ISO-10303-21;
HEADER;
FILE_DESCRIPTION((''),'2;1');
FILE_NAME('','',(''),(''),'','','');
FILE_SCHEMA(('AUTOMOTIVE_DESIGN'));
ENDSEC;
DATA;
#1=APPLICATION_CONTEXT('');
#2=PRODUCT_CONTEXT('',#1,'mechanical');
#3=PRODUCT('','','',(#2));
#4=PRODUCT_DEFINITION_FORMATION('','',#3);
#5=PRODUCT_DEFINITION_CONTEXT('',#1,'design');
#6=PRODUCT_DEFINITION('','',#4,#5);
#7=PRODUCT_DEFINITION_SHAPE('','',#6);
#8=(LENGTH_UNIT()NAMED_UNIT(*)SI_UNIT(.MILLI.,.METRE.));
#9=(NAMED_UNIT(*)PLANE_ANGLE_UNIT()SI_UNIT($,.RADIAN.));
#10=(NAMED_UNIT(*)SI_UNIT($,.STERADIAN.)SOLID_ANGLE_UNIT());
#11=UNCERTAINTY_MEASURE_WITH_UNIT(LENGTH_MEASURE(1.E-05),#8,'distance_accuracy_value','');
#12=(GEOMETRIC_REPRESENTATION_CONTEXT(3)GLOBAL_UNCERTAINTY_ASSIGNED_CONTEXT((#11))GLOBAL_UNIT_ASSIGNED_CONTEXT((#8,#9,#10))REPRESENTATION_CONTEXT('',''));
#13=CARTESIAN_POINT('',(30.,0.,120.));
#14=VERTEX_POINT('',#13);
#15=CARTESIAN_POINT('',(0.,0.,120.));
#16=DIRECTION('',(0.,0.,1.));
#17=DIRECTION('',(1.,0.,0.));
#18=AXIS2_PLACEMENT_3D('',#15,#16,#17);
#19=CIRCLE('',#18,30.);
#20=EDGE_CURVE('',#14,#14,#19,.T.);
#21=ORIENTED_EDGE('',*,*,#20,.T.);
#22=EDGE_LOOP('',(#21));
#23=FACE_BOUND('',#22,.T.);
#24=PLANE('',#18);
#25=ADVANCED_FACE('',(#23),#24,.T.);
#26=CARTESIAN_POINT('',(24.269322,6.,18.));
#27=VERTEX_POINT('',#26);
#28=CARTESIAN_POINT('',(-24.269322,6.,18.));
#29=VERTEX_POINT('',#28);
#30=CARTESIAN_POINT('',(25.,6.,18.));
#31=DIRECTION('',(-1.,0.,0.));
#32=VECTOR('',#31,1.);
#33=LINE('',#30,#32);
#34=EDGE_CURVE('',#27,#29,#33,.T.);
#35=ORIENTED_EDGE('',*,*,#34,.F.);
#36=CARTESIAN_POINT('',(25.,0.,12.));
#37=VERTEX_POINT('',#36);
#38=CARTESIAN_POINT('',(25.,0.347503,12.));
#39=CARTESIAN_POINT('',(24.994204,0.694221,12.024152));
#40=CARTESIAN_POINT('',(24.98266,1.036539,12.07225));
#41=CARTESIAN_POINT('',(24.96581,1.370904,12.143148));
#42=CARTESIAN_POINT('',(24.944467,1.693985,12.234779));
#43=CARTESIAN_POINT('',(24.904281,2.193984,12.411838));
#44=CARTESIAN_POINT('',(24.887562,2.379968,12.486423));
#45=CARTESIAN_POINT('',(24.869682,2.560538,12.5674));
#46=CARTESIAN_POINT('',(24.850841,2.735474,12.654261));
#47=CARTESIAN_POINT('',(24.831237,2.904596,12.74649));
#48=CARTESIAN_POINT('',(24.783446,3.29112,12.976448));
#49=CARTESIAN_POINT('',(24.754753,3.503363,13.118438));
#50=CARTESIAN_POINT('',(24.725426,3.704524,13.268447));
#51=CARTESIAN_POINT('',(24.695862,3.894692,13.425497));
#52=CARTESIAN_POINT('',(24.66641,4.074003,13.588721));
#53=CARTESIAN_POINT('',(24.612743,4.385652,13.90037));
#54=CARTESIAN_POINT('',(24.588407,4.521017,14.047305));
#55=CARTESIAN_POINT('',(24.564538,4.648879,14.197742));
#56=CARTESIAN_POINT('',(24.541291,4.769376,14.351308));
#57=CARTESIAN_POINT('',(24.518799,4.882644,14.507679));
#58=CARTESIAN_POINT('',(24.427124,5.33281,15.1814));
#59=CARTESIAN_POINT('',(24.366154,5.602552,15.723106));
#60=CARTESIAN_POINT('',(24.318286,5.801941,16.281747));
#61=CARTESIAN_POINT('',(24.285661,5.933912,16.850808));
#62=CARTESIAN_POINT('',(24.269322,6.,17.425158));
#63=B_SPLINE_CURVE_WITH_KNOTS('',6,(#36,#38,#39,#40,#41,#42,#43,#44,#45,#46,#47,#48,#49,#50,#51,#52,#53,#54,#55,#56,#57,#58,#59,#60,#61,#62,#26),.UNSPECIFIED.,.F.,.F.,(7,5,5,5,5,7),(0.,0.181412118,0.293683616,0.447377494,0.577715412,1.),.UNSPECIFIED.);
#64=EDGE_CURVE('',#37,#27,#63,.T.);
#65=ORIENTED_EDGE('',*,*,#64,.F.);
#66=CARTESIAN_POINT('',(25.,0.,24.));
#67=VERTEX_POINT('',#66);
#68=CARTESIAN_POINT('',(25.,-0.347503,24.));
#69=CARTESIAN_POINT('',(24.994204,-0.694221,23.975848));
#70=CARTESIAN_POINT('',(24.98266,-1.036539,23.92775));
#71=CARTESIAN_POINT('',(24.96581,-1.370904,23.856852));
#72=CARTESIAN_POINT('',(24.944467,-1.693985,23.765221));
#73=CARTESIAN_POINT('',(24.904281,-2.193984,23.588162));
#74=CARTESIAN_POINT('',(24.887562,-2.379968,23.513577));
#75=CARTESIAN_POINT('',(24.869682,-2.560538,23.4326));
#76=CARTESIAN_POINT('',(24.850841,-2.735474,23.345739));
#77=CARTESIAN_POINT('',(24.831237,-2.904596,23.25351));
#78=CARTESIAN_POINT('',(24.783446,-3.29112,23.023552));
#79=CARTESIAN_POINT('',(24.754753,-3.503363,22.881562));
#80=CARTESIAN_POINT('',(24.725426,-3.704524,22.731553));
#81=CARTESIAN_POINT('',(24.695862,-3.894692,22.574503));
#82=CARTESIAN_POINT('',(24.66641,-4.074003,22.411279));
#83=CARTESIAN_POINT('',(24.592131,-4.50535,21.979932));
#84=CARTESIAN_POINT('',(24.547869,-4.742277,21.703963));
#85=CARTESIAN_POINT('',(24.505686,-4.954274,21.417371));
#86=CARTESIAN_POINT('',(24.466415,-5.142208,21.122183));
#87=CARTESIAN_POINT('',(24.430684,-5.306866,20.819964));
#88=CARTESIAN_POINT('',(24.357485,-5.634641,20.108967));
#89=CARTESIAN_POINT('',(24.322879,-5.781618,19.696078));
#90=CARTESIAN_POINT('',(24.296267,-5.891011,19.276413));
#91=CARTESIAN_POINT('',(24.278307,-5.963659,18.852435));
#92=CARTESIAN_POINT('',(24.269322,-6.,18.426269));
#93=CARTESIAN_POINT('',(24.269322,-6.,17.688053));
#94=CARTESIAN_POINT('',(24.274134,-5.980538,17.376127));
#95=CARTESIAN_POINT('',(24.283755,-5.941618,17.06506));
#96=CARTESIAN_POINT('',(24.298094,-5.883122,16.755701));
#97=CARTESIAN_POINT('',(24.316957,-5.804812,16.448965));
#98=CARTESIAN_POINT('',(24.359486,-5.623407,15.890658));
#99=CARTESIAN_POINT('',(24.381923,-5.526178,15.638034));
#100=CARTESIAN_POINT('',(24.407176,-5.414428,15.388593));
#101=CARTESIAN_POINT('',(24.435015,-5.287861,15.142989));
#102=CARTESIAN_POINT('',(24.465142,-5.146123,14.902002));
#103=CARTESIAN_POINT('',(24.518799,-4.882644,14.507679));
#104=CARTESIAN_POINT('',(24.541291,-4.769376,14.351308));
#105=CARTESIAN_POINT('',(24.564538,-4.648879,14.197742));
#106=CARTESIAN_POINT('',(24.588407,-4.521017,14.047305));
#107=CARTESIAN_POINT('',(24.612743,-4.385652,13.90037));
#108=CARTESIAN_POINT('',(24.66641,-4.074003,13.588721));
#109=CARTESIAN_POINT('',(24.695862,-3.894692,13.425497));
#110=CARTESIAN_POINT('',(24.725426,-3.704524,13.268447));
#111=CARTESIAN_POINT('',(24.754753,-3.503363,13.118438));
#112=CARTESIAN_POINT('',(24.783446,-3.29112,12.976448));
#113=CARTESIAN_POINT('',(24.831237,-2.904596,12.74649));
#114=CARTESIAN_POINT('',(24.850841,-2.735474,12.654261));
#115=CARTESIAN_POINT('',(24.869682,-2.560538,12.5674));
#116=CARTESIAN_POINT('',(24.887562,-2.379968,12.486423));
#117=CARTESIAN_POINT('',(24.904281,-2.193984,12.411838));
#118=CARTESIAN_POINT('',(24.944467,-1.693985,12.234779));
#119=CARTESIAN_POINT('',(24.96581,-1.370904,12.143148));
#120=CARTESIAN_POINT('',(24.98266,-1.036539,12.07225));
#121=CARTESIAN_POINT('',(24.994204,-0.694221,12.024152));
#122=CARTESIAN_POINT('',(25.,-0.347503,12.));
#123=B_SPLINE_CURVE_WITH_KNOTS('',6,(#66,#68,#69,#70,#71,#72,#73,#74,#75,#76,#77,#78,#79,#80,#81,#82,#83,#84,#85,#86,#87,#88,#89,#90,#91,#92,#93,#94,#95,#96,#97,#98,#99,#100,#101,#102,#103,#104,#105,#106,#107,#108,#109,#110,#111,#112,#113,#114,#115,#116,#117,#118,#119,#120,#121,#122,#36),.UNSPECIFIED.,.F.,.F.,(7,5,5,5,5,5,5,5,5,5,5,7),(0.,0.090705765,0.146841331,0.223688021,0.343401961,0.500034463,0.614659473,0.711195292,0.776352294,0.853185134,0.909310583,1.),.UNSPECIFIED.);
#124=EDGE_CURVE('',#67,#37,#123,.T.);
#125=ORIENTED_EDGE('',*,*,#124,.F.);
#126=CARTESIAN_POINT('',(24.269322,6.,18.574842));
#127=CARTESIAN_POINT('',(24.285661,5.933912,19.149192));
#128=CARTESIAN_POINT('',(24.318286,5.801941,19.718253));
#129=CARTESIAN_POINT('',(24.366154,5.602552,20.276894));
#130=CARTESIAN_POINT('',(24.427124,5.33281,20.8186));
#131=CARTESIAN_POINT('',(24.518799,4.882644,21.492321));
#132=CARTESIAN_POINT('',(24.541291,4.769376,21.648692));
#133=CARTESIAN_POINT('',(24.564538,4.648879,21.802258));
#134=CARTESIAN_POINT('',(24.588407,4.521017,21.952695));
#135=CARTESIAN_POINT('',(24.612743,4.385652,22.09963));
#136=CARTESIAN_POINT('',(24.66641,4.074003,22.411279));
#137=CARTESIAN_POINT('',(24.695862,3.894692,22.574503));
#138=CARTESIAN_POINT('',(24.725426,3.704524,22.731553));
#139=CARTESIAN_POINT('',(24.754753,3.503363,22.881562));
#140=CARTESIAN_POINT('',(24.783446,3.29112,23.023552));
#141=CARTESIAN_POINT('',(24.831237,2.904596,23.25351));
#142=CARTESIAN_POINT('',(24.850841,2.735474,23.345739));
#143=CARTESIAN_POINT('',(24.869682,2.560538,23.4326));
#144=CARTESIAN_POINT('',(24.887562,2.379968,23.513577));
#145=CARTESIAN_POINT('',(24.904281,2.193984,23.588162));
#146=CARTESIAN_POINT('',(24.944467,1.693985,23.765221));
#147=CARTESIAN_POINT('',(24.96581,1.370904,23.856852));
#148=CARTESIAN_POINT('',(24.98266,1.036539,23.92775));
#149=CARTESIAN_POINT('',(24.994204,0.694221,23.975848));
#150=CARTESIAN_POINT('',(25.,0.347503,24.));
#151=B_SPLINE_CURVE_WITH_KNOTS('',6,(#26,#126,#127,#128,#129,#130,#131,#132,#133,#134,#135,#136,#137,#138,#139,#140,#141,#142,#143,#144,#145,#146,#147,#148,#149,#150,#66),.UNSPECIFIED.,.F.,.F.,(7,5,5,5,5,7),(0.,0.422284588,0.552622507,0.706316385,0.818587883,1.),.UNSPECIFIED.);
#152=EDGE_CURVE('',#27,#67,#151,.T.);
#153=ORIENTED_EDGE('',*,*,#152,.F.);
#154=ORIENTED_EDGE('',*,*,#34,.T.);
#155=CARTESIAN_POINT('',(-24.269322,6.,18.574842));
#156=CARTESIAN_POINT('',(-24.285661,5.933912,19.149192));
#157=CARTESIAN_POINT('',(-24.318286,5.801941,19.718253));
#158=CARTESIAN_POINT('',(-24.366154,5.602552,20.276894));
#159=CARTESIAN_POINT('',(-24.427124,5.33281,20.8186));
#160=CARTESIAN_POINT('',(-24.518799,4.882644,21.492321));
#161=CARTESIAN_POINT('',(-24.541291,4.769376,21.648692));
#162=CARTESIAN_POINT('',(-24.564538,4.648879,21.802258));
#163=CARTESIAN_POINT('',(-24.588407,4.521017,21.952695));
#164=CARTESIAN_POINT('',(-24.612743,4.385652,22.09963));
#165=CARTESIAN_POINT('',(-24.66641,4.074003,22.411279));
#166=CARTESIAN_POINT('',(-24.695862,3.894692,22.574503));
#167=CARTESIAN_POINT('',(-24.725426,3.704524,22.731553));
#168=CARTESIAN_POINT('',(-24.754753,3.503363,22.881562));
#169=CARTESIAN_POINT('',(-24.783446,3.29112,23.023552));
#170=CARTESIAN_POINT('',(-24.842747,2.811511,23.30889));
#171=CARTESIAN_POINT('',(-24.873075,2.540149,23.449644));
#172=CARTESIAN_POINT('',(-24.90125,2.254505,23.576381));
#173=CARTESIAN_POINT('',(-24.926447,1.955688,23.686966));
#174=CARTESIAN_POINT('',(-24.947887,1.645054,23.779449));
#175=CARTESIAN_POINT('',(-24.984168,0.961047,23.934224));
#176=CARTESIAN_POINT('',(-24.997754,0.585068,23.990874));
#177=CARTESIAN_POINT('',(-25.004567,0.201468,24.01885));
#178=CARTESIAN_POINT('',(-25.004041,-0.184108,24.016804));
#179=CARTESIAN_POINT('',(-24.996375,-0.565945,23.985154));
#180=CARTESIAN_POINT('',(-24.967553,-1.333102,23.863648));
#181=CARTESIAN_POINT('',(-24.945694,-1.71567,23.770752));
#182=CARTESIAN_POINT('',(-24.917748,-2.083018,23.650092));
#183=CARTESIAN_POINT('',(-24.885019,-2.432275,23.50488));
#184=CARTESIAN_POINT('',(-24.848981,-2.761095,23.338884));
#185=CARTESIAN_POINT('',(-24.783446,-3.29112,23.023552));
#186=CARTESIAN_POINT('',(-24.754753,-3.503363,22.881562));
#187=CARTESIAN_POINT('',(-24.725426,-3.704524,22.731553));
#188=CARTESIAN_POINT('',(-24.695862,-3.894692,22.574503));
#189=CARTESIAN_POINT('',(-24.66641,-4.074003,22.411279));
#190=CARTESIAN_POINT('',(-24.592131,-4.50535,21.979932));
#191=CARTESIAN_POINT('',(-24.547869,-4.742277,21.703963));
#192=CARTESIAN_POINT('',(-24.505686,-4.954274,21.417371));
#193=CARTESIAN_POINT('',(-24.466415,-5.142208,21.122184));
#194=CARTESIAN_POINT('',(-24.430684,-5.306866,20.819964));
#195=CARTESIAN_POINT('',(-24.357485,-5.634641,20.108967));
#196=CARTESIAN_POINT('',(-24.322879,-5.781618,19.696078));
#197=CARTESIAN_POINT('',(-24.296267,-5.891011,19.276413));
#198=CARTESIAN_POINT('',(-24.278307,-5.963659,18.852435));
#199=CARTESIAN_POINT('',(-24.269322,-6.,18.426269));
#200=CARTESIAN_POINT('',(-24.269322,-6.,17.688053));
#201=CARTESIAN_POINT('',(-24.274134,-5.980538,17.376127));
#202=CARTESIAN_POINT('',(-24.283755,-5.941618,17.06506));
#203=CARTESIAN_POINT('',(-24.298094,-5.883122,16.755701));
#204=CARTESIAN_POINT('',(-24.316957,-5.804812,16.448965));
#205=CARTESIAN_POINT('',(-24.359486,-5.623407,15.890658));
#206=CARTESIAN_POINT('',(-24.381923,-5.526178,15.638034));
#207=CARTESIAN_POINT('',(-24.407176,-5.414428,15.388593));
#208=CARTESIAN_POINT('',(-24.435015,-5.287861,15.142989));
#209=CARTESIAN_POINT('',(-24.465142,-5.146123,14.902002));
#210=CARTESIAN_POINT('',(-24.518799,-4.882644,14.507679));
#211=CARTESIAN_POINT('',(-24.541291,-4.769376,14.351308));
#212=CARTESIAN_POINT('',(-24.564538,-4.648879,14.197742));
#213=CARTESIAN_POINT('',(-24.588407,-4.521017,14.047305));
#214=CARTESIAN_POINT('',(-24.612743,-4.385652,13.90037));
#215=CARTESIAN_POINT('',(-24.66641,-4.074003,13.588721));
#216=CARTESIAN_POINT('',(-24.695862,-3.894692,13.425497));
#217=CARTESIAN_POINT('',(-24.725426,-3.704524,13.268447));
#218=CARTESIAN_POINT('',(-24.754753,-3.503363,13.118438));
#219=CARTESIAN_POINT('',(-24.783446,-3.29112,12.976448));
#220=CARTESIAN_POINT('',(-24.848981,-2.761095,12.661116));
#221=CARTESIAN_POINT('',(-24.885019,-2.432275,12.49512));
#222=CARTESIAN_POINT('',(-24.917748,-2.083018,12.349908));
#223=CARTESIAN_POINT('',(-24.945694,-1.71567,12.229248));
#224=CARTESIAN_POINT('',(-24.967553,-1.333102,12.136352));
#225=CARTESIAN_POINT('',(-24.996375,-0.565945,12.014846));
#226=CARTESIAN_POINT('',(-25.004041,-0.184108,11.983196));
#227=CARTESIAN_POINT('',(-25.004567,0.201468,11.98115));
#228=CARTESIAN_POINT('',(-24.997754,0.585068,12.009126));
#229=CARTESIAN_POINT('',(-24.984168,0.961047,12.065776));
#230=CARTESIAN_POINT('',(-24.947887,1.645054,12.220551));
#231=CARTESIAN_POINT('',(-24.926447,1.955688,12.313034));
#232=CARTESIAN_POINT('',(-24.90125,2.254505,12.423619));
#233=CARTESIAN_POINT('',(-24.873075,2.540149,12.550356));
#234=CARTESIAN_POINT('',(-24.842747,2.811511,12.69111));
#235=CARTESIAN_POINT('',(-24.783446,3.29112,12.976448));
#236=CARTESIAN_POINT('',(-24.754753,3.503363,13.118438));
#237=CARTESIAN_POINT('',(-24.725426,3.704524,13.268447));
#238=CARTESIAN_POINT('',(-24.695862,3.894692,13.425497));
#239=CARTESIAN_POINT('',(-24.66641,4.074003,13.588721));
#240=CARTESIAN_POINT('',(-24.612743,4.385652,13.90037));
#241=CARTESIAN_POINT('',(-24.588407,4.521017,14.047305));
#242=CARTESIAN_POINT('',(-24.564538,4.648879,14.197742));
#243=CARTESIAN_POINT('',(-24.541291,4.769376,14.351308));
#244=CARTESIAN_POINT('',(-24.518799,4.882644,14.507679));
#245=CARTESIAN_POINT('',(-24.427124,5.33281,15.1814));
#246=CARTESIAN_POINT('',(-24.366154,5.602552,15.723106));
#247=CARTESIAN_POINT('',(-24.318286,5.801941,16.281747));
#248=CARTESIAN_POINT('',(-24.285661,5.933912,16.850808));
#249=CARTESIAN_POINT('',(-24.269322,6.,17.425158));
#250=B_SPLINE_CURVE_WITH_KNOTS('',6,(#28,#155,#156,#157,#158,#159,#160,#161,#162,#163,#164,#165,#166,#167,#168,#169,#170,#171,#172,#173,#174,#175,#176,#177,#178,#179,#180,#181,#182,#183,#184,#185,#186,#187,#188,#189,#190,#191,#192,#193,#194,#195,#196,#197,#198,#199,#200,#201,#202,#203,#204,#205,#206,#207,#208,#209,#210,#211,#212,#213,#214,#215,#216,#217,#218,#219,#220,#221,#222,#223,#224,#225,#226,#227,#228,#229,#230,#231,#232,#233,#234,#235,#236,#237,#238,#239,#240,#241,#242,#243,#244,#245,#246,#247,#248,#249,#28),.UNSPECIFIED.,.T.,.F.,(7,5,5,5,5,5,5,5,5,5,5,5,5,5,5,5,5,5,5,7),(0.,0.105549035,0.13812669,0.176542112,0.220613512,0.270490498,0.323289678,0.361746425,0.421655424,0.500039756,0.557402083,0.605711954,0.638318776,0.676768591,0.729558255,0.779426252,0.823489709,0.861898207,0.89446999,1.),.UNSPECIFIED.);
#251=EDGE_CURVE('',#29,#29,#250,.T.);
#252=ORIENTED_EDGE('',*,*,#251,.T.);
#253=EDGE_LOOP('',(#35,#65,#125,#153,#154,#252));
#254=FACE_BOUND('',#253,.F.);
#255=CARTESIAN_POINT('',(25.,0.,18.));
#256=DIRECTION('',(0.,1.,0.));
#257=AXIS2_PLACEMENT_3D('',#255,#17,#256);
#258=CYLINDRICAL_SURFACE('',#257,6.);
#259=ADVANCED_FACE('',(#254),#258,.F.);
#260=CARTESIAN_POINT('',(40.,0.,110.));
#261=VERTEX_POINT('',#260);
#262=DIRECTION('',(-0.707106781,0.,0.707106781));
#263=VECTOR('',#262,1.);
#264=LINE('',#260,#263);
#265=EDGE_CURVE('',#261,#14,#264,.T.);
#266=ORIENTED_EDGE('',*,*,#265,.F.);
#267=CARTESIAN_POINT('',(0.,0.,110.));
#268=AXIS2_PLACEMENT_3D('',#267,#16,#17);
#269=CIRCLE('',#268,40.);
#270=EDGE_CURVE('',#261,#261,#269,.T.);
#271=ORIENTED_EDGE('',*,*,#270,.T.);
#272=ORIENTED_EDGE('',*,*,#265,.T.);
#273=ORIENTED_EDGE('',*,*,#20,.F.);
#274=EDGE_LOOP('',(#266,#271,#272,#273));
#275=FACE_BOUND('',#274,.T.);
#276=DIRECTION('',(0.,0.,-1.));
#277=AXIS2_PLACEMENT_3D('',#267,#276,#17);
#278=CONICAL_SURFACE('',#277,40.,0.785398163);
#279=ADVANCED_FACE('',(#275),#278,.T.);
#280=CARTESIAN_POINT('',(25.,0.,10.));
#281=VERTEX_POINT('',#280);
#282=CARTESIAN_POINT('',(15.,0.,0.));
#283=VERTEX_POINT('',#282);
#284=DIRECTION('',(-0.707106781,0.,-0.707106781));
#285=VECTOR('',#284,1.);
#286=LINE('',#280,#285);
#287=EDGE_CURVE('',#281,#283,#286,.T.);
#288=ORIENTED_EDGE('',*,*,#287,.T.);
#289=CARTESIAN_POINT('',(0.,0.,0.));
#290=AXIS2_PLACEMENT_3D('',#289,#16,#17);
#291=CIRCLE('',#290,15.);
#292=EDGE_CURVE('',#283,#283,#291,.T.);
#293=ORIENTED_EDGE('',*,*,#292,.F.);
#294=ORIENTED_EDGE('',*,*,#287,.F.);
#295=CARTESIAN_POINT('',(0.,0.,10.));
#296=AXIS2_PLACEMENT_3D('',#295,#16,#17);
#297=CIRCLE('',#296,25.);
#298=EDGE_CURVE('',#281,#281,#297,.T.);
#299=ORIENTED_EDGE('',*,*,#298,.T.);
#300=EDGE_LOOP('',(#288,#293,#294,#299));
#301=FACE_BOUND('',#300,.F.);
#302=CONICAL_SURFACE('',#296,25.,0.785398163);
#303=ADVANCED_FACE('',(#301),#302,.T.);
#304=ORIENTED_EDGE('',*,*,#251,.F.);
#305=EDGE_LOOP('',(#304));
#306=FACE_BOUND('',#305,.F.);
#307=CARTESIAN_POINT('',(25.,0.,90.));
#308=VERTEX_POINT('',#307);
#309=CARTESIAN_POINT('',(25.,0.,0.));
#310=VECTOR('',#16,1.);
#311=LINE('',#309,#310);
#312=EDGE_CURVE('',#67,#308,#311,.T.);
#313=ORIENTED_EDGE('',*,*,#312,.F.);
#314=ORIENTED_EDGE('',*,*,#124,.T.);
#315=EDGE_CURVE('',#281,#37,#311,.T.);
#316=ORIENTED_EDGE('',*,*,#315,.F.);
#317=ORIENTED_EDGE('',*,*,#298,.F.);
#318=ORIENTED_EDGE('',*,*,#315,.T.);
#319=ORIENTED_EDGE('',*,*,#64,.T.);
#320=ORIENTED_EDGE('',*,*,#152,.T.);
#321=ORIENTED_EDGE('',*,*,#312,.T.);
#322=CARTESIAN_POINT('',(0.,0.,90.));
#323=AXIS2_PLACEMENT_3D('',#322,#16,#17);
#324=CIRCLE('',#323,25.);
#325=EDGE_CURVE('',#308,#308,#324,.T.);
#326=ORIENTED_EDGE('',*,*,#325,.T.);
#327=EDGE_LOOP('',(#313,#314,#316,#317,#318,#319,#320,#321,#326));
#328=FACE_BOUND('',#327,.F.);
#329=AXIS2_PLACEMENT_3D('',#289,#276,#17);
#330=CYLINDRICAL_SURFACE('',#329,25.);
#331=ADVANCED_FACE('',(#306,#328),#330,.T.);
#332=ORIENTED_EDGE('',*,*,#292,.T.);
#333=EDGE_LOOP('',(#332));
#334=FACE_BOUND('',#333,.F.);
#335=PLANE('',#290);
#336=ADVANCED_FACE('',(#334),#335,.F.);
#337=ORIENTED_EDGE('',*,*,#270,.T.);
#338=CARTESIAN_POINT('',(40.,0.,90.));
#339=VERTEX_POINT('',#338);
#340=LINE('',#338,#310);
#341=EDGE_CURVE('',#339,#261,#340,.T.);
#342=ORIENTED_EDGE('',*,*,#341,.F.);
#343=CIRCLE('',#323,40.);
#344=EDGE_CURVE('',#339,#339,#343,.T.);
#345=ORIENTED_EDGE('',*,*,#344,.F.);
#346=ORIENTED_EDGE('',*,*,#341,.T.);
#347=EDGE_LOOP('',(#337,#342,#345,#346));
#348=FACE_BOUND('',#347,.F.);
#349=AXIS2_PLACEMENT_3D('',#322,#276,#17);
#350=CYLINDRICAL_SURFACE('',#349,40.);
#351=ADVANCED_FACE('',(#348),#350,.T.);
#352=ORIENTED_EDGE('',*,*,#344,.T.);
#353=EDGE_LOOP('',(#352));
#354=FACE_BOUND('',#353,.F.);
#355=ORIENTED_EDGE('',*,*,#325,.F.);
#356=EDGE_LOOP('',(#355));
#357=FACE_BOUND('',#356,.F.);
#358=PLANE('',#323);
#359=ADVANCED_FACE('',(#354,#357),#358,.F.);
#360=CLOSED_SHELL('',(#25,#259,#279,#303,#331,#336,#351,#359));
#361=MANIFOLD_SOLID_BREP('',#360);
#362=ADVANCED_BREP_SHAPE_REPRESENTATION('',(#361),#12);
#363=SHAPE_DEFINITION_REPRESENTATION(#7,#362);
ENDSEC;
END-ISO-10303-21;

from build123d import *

# Parameters (mm, degrees)
F0_R     = 25
F1_DEPTH = 90
F2_R     = 40
F2_R_2   = 25
F3_DEPTH = 30
F4_SIZE2 = 10
F4_SIZE  = 10
F6_R     = 6
F7_DEPTH = 65.001
F8_SIZE2 = 10
F8_SIZE  = 10


with BuildPart() as f1:
    # F0 (on Top) → F1 (new body)
    with BuildSketch(Plane.XY):
        Circle(F0_R)
    extrude(amount=F1_DEPTH)

    # F2 (on face) → F3 (join)
    with BuildSketch(Plane.XY.offset(90)):
        Circle(F2_R)
        Circle(F2_R_2, mode=Mode.SUBTRACT)
        Circle(F2_R_2)
    extrude(amount=F3_DEPTH)

    # F4
    f4_edges = [f1.edges().sort_by_distance(p)[0] for p in [
        (-40, 0, 120),
    ]]
    chamfer(f4_edges, length=F4_SIZE, length2=F4_SIZE2)

    # F6 (on offset) → F7 (cut, through all)
    with BuildSketch(Plane.YZ.offset(25)):
        with Locations((0, 18)):
            Circle(F6_R)
    extrude(amount=-F7_DEPTH, mode=Mode.SUBTRACT)

    # F8
    f8_edges = [f1.edges().sort_by_distance(p)[0] for p in [
        (-25, 0, 0),
    ]]
    chamfer(f8_edges, length=F8_SIZE, length2=F8_SIZE2)


solid = f1.part
